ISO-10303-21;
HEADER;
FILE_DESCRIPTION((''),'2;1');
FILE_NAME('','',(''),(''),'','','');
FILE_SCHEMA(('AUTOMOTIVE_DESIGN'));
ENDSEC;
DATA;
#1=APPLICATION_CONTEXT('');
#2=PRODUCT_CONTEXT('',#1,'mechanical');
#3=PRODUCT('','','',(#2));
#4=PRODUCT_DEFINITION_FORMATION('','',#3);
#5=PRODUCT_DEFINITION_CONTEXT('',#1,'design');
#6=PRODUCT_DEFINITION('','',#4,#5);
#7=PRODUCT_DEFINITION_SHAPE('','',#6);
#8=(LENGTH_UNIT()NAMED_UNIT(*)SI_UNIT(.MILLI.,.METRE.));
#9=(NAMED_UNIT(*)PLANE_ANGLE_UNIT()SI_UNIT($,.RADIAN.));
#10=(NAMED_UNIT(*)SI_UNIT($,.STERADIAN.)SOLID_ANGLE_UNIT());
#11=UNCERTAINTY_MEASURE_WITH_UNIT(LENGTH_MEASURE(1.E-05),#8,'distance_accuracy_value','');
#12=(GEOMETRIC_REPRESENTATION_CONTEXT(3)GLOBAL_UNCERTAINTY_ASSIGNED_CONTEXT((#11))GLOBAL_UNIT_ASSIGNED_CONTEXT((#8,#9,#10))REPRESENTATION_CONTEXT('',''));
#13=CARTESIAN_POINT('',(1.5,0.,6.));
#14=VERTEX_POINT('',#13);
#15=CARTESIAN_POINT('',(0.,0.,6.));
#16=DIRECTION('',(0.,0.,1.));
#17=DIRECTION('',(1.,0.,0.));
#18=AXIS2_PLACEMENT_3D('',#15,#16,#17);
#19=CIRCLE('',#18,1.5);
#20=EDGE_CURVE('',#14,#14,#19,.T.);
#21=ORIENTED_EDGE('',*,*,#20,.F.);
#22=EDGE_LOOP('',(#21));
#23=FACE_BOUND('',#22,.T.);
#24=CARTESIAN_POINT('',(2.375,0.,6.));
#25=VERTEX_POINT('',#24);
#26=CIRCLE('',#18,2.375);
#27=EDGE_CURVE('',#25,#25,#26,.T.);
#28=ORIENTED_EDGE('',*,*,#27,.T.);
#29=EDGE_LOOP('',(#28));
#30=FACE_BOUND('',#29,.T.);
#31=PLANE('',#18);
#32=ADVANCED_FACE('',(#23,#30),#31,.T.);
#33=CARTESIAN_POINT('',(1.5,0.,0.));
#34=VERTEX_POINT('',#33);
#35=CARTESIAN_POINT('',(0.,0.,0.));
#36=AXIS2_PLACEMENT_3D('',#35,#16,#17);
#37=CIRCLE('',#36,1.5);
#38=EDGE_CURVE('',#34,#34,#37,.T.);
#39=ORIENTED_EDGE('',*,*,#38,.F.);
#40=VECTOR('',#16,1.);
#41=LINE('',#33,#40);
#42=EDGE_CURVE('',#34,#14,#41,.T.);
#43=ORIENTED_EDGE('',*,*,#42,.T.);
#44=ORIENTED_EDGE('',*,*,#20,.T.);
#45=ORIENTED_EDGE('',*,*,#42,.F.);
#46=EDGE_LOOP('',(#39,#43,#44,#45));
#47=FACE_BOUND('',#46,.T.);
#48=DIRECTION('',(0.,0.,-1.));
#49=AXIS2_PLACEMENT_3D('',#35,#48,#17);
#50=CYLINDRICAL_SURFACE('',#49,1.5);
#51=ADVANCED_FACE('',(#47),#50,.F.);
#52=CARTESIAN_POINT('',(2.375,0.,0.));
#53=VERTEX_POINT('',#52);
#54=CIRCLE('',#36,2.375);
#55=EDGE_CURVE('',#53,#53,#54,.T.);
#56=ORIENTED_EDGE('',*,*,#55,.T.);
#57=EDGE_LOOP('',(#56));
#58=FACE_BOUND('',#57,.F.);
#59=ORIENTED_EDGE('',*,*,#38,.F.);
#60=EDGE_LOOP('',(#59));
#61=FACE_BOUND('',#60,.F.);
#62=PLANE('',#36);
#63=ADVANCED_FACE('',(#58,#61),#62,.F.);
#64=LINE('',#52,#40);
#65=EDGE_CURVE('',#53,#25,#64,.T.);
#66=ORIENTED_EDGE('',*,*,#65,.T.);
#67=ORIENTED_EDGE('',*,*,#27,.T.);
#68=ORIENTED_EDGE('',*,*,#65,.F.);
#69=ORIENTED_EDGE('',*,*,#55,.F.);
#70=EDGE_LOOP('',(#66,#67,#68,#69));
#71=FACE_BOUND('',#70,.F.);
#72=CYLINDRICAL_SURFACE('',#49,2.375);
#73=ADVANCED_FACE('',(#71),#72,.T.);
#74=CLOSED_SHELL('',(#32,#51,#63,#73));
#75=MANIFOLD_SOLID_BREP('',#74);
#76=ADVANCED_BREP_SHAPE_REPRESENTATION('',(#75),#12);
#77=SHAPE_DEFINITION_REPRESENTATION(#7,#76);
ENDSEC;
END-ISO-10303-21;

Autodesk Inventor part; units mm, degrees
ref_plane "YZ Plane" through (0, 0, 0) normal (1, 0, 0) x (0, 1, 0)
ref_plane "XZ Plane" through (0, 0, 0) normal (0, 1, 0) x (-1, 0, 0)
ref_plane "XY Plane" through (0, 0, 0) normal (0, 0, 1) x (1, 0, 0)
sketch "Sketch1" plane through (0, 0, 0) normal (0, 0, 1) x (1, 0, 0)
  circle A0 centre (0, 0) radius 2.375
  circle A1 centre (0, 0) radius 1.5
  dimension "d0" = 4.75
  dimension "d1" = 3
extrude "Extrusion1" add sketch "Sketch1" along normal blind 6
properties part number "simple spacer"
